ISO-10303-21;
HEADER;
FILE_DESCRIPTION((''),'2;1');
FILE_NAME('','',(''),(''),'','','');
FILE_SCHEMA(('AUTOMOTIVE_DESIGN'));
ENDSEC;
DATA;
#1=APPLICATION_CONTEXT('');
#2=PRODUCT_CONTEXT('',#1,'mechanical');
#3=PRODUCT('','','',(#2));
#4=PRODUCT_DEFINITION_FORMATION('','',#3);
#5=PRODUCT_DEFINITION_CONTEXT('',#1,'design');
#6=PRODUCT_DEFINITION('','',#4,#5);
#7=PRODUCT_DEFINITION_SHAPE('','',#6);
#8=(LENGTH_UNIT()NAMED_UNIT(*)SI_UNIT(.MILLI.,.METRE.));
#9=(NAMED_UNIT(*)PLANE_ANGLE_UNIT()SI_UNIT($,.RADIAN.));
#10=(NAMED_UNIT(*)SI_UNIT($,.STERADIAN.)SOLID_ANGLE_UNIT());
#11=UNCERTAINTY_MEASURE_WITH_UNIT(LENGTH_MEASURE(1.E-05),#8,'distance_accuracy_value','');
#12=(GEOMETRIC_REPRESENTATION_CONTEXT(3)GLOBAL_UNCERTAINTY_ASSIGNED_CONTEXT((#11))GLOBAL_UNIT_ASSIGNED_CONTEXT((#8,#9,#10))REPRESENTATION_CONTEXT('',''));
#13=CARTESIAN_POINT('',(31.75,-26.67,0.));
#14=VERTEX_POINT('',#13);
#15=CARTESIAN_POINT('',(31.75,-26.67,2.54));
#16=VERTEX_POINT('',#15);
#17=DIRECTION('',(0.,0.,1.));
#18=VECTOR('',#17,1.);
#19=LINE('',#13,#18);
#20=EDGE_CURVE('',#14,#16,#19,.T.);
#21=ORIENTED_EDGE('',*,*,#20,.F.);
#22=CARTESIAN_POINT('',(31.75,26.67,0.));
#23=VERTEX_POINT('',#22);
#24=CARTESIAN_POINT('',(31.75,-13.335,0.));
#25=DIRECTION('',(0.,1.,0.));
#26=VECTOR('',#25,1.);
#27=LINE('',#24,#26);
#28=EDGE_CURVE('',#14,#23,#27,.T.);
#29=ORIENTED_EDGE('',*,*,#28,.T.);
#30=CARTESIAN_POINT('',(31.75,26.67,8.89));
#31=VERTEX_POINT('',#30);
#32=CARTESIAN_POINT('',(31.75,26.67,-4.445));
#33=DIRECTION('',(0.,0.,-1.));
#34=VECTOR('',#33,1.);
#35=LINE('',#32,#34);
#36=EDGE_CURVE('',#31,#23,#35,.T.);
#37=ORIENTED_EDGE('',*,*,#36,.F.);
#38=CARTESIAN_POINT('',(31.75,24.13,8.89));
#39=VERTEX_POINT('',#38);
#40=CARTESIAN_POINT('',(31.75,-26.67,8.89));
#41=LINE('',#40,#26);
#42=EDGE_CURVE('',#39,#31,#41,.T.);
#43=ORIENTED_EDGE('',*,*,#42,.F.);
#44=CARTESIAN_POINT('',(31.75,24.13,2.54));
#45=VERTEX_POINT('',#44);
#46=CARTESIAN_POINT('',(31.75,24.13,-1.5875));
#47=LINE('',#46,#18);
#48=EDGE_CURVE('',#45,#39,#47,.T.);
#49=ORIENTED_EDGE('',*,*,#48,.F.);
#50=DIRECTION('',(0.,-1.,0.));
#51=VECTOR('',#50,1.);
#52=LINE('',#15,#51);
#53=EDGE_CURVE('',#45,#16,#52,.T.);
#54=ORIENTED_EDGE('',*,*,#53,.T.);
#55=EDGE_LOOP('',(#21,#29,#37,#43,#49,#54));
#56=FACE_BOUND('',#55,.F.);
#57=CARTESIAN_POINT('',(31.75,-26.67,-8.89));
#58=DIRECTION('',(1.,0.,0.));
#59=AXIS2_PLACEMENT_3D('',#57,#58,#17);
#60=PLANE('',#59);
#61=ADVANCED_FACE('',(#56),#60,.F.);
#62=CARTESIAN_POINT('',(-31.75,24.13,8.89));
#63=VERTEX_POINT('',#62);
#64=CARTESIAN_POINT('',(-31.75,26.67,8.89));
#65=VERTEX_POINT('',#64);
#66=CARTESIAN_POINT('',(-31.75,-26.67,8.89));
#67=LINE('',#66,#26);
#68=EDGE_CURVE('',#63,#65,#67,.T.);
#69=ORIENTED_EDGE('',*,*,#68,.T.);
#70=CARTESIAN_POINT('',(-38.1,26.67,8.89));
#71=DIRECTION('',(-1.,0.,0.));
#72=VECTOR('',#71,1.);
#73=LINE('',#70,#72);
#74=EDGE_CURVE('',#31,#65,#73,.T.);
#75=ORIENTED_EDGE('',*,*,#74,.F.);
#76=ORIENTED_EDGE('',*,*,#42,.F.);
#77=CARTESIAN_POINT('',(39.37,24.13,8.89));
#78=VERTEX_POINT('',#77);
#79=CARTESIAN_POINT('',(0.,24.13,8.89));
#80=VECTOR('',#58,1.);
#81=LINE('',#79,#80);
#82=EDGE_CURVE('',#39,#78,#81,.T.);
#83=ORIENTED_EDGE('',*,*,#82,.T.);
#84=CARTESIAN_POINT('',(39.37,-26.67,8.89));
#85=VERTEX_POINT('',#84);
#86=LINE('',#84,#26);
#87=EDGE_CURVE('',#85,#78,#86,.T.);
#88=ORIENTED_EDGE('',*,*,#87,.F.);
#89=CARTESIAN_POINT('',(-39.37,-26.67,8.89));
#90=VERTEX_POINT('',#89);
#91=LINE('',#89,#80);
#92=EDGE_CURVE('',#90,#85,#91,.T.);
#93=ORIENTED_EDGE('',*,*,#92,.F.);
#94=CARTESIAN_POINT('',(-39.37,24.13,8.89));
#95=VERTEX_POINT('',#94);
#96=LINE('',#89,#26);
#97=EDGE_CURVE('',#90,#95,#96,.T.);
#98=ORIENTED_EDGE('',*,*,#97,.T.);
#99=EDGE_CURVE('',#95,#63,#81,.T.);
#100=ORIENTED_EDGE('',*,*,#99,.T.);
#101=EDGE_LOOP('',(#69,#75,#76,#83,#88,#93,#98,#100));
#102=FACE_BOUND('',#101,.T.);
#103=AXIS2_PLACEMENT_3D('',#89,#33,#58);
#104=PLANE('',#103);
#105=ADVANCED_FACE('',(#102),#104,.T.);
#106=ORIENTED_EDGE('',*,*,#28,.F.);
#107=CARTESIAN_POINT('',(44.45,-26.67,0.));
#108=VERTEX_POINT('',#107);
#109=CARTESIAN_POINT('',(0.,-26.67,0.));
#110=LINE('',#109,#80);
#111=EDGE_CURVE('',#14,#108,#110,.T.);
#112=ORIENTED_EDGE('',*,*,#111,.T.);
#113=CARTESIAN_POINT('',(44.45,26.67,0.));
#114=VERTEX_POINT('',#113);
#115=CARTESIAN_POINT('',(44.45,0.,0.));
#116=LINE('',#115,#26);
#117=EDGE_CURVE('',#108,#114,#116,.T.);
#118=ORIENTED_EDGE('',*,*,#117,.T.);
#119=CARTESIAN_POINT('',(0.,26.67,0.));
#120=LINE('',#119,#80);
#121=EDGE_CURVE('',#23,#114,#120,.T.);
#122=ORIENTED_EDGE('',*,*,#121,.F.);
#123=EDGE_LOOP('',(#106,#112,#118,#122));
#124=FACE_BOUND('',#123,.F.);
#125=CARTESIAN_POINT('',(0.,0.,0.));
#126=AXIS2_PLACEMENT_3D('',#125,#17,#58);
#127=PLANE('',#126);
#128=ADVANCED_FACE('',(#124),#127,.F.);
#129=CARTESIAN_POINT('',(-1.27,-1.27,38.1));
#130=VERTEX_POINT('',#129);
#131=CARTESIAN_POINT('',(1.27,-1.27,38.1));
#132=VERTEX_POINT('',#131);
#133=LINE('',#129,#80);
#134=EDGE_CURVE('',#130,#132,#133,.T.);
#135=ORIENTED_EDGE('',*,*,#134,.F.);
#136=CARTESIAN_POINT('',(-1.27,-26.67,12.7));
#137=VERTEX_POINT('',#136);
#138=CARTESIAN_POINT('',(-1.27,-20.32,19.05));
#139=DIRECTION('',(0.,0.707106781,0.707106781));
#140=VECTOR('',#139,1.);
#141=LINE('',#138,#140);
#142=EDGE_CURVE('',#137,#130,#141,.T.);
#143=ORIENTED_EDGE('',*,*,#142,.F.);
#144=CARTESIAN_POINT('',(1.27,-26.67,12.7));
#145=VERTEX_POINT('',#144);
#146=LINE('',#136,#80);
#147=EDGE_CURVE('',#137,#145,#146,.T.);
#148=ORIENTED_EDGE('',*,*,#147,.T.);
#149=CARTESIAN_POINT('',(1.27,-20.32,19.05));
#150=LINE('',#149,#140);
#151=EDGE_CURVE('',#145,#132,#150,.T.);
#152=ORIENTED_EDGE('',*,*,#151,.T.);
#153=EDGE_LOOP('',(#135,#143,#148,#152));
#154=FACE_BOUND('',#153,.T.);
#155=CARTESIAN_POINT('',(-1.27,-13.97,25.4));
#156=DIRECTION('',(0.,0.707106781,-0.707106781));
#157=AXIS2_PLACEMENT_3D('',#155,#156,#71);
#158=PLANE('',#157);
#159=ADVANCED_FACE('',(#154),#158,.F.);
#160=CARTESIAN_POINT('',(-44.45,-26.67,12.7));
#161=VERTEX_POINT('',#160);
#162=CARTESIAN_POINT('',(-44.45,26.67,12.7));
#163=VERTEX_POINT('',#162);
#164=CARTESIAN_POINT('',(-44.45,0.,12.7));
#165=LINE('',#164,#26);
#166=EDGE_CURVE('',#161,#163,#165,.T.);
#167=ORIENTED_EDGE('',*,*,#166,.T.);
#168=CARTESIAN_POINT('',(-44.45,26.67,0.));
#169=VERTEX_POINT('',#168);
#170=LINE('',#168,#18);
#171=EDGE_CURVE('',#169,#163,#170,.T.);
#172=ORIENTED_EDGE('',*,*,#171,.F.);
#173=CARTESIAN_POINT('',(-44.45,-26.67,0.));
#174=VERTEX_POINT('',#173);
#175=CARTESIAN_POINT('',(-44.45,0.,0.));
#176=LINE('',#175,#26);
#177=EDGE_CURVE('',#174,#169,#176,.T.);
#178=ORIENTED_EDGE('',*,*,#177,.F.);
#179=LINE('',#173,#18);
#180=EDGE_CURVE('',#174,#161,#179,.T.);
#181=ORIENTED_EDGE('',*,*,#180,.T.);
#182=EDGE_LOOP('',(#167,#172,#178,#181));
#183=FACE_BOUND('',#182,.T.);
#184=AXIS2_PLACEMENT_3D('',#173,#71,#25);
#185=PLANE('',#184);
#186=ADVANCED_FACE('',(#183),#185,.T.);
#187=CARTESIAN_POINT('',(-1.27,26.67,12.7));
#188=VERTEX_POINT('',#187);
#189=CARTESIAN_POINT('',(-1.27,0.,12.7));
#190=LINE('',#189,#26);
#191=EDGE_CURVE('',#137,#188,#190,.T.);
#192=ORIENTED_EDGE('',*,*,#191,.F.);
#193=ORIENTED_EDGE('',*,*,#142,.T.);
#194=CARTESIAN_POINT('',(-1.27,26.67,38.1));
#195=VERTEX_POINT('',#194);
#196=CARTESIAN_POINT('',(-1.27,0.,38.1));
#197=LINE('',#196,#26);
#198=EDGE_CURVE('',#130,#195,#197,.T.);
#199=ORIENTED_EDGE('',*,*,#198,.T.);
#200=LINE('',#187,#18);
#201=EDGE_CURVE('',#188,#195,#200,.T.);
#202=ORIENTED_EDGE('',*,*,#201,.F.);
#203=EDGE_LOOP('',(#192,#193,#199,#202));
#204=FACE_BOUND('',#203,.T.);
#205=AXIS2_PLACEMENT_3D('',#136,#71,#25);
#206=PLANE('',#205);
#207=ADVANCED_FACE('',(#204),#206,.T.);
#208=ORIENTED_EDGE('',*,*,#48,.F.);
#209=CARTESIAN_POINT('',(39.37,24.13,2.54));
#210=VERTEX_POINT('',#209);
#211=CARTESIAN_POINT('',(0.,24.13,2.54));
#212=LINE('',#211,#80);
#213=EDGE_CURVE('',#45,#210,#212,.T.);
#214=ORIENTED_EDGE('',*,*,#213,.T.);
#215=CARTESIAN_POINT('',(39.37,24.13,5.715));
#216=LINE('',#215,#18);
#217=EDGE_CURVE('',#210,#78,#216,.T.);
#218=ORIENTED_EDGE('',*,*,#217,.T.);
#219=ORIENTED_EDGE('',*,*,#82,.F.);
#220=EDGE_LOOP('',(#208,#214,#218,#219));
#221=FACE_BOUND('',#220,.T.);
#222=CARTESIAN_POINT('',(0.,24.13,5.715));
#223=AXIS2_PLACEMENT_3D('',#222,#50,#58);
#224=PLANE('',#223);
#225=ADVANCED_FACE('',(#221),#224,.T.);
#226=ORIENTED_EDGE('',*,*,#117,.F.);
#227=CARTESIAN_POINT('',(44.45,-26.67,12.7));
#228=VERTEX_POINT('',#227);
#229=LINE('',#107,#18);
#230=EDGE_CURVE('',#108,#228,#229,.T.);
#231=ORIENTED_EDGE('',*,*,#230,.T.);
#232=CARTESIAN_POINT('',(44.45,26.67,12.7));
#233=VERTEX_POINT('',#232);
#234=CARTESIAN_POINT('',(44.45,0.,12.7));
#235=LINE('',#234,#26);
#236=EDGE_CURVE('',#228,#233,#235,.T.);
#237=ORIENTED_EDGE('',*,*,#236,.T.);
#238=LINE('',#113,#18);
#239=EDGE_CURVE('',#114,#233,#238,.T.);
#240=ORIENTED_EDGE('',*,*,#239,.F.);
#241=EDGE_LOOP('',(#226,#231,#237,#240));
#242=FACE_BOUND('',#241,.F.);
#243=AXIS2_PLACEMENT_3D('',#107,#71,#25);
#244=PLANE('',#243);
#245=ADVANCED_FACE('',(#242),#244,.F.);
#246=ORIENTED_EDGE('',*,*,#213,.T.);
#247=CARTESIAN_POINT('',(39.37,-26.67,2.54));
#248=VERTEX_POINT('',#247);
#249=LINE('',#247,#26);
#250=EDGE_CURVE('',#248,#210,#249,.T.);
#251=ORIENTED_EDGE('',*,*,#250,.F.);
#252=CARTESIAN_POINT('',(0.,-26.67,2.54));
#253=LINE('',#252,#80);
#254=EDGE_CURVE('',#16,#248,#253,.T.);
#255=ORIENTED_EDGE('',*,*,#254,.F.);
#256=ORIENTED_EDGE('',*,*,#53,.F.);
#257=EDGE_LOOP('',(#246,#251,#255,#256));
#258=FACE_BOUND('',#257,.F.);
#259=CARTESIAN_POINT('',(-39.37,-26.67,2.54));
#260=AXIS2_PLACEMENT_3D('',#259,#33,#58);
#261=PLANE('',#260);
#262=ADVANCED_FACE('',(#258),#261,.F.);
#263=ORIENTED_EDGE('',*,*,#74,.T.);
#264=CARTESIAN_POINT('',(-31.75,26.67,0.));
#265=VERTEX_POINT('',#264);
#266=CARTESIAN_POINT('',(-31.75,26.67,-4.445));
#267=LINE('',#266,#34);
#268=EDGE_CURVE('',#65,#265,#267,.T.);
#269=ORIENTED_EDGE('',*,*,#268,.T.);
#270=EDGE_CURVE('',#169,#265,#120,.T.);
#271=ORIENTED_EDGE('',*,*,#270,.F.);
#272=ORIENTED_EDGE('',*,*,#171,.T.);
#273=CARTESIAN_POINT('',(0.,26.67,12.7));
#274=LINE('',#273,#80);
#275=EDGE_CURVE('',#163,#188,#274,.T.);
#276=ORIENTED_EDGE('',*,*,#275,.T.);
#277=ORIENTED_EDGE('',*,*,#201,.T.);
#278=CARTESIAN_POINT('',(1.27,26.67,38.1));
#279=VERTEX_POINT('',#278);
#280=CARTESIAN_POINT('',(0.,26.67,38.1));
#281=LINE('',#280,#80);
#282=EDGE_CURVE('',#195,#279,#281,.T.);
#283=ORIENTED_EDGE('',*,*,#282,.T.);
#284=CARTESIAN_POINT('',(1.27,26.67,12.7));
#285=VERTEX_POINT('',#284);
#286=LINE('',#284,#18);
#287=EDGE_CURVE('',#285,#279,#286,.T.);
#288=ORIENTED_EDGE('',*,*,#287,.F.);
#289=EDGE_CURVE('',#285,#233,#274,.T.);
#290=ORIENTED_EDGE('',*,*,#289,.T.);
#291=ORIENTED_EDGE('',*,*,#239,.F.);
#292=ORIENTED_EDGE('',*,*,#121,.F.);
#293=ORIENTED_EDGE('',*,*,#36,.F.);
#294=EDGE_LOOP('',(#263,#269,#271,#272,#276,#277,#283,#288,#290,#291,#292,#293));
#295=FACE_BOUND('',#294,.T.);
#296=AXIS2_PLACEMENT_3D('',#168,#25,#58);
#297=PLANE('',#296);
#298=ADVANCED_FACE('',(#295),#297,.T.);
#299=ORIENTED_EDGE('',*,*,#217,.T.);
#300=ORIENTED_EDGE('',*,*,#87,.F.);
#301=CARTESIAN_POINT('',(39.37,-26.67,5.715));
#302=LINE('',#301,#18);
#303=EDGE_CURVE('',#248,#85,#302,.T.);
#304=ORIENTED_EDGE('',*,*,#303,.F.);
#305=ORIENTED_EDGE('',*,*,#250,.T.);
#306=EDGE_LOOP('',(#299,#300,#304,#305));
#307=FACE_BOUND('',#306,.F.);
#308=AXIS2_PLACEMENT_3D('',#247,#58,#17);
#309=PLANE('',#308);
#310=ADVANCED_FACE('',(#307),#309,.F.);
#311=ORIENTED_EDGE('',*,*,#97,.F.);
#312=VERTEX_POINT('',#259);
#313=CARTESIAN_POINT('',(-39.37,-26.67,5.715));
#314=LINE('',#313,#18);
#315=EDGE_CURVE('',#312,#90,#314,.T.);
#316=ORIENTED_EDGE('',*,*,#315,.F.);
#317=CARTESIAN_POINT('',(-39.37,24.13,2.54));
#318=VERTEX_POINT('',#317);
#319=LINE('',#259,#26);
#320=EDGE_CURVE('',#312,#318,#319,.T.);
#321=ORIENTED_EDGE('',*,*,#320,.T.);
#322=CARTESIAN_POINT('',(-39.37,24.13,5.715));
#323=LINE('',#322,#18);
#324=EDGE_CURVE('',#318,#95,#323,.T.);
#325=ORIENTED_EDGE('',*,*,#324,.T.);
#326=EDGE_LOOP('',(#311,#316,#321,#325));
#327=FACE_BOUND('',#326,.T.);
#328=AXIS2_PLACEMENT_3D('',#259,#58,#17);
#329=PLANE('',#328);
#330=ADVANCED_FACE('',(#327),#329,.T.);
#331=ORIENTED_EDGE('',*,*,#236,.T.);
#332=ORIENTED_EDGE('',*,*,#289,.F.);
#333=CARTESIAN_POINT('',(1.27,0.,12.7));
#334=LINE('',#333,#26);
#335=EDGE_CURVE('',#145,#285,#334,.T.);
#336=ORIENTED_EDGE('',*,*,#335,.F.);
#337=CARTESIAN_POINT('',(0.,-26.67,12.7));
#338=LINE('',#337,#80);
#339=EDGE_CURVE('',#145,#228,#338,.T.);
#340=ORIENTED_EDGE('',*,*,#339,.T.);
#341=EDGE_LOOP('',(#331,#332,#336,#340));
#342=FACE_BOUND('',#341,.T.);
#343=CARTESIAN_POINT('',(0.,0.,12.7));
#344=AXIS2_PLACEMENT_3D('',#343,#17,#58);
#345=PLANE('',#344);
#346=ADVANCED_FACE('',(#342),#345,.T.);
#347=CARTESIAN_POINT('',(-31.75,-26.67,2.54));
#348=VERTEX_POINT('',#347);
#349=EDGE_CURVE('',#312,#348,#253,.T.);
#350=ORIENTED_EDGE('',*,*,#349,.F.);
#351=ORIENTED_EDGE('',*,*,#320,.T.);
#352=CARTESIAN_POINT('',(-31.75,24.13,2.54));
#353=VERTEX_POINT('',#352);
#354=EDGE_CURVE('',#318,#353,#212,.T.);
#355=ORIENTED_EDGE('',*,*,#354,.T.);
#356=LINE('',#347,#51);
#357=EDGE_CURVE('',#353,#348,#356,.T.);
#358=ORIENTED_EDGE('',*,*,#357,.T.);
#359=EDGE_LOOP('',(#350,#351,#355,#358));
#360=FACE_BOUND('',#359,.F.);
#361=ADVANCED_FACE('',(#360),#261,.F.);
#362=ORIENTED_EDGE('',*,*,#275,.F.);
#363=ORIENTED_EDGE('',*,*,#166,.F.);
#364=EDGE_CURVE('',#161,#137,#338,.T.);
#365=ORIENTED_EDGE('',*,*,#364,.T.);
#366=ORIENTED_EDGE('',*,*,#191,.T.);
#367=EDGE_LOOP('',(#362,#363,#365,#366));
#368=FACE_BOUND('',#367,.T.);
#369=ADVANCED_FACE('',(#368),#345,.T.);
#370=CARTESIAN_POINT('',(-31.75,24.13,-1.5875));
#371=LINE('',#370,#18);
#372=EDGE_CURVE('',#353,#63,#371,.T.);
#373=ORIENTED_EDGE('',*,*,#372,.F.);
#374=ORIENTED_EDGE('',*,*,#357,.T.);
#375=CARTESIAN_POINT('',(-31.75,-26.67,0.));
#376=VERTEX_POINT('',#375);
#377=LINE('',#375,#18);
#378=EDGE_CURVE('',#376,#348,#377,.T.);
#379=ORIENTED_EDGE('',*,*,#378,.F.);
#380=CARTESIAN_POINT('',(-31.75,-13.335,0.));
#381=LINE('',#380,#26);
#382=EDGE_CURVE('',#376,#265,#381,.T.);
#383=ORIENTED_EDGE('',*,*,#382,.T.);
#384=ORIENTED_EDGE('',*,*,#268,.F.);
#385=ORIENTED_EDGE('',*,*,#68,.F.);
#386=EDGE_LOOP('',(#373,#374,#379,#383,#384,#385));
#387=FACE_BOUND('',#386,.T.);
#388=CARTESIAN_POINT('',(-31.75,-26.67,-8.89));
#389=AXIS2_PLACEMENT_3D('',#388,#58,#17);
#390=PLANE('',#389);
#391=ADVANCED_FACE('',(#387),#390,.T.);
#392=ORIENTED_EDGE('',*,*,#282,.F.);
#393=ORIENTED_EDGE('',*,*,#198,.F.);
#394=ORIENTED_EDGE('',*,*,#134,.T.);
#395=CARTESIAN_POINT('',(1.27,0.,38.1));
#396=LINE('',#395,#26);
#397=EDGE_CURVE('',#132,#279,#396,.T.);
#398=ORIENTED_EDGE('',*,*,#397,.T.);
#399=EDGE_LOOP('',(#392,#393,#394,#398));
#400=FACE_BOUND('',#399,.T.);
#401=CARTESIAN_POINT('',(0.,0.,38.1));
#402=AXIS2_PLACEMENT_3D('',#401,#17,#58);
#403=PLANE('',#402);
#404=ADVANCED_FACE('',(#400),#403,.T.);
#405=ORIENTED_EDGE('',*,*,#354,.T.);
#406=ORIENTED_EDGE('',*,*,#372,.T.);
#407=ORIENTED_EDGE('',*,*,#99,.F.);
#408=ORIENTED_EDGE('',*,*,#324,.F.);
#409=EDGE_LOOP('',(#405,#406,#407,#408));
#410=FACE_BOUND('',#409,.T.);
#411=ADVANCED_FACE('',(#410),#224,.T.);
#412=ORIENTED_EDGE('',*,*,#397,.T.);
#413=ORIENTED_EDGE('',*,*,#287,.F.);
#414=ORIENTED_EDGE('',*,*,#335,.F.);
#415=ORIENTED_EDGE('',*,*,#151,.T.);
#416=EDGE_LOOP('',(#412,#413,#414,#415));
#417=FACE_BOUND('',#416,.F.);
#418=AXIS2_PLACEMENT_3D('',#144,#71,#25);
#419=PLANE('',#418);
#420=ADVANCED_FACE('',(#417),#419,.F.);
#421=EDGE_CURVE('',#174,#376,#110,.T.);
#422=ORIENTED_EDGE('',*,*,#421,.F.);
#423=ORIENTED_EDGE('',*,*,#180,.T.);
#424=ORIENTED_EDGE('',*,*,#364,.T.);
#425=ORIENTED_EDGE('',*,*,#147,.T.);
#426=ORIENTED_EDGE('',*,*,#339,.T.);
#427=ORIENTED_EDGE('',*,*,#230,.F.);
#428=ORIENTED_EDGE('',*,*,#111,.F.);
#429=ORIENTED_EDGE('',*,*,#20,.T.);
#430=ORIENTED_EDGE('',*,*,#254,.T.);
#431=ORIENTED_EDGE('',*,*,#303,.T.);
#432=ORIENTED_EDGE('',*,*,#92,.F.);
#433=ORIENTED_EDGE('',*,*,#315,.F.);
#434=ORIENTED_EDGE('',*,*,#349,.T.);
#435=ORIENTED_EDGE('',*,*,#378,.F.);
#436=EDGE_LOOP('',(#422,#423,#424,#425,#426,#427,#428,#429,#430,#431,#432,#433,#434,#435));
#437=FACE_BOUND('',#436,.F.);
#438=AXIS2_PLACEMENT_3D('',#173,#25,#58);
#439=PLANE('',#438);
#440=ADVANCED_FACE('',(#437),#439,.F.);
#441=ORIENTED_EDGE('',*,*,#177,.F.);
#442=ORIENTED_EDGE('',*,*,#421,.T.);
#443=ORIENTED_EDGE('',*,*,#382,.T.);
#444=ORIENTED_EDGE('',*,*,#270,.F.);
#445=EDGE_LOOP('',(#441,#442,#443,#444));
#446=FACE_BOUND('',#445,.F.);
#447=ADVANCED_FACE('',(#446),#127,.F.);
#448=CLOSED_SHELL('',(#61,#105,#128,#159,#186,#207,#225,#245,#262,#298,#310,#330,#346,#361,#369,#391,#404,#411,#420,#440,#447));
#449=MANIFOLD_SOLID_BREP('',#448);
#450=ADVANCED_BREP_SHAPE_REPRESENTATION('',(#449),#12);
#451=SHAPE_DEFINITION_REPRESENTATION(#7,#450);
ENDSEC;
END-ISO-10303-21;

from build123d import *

# Parameters (mm, degrees)
F0_W     = 88.9
F0_H     = 53.34
F1_DEPTH = 12.7
F2_W     = 78.74
F2_H     = 6.35
F3_DEPTH = 50.8
F4_W     = 63.5
F4_H     = 17.78
F5_DEPTH = 53.341
F6_W     = 2.54
F6_H     = 53.34
F7_DEPTH = 25.4
F8_SIZE  = 25.4


with BuildPart() as f1:
    # F0 (on Top) → F1 (new body)
    with BuildSketch(Plane.XY):
        Rectangle(F0_W, F0_H)
    extrude(amount=F1_DEPTH)

    # F2 (on face) → F3 (cut)
    with BuildSketch(Plane.XZ.offset(26.67)):
        with Locations((0, 5.715)):
            Rectangle(F2_W, F2_H)
    extrude(amount=-F3_DEPTH, mode=Mode.SUBTRACT)

    # F4 (on face) → F5 (cut, through all)
    with BuildSketch(Plane.XZ.offset(26.67)):
        Rectangle(F4_W, F4_H)
    extrude(amount=-F5_DEPTH, mode=Mode.SUBTRACT)

    # F6 (on face) → F7 (join)
    with BuildSketch(Plane.XY.offset(12.7)):
        Rectangle(F6_W, F6_H)
    extrude(amount=F7_DEPTH)

    # F8
    f8_edges = [f1.edges().sort_by_distance(p)[0] for p in [
        (0, -26.67, 38.1),
    ]]
    chamfer(f8_edges, length=F8_SIZE)


solid = f1.part
